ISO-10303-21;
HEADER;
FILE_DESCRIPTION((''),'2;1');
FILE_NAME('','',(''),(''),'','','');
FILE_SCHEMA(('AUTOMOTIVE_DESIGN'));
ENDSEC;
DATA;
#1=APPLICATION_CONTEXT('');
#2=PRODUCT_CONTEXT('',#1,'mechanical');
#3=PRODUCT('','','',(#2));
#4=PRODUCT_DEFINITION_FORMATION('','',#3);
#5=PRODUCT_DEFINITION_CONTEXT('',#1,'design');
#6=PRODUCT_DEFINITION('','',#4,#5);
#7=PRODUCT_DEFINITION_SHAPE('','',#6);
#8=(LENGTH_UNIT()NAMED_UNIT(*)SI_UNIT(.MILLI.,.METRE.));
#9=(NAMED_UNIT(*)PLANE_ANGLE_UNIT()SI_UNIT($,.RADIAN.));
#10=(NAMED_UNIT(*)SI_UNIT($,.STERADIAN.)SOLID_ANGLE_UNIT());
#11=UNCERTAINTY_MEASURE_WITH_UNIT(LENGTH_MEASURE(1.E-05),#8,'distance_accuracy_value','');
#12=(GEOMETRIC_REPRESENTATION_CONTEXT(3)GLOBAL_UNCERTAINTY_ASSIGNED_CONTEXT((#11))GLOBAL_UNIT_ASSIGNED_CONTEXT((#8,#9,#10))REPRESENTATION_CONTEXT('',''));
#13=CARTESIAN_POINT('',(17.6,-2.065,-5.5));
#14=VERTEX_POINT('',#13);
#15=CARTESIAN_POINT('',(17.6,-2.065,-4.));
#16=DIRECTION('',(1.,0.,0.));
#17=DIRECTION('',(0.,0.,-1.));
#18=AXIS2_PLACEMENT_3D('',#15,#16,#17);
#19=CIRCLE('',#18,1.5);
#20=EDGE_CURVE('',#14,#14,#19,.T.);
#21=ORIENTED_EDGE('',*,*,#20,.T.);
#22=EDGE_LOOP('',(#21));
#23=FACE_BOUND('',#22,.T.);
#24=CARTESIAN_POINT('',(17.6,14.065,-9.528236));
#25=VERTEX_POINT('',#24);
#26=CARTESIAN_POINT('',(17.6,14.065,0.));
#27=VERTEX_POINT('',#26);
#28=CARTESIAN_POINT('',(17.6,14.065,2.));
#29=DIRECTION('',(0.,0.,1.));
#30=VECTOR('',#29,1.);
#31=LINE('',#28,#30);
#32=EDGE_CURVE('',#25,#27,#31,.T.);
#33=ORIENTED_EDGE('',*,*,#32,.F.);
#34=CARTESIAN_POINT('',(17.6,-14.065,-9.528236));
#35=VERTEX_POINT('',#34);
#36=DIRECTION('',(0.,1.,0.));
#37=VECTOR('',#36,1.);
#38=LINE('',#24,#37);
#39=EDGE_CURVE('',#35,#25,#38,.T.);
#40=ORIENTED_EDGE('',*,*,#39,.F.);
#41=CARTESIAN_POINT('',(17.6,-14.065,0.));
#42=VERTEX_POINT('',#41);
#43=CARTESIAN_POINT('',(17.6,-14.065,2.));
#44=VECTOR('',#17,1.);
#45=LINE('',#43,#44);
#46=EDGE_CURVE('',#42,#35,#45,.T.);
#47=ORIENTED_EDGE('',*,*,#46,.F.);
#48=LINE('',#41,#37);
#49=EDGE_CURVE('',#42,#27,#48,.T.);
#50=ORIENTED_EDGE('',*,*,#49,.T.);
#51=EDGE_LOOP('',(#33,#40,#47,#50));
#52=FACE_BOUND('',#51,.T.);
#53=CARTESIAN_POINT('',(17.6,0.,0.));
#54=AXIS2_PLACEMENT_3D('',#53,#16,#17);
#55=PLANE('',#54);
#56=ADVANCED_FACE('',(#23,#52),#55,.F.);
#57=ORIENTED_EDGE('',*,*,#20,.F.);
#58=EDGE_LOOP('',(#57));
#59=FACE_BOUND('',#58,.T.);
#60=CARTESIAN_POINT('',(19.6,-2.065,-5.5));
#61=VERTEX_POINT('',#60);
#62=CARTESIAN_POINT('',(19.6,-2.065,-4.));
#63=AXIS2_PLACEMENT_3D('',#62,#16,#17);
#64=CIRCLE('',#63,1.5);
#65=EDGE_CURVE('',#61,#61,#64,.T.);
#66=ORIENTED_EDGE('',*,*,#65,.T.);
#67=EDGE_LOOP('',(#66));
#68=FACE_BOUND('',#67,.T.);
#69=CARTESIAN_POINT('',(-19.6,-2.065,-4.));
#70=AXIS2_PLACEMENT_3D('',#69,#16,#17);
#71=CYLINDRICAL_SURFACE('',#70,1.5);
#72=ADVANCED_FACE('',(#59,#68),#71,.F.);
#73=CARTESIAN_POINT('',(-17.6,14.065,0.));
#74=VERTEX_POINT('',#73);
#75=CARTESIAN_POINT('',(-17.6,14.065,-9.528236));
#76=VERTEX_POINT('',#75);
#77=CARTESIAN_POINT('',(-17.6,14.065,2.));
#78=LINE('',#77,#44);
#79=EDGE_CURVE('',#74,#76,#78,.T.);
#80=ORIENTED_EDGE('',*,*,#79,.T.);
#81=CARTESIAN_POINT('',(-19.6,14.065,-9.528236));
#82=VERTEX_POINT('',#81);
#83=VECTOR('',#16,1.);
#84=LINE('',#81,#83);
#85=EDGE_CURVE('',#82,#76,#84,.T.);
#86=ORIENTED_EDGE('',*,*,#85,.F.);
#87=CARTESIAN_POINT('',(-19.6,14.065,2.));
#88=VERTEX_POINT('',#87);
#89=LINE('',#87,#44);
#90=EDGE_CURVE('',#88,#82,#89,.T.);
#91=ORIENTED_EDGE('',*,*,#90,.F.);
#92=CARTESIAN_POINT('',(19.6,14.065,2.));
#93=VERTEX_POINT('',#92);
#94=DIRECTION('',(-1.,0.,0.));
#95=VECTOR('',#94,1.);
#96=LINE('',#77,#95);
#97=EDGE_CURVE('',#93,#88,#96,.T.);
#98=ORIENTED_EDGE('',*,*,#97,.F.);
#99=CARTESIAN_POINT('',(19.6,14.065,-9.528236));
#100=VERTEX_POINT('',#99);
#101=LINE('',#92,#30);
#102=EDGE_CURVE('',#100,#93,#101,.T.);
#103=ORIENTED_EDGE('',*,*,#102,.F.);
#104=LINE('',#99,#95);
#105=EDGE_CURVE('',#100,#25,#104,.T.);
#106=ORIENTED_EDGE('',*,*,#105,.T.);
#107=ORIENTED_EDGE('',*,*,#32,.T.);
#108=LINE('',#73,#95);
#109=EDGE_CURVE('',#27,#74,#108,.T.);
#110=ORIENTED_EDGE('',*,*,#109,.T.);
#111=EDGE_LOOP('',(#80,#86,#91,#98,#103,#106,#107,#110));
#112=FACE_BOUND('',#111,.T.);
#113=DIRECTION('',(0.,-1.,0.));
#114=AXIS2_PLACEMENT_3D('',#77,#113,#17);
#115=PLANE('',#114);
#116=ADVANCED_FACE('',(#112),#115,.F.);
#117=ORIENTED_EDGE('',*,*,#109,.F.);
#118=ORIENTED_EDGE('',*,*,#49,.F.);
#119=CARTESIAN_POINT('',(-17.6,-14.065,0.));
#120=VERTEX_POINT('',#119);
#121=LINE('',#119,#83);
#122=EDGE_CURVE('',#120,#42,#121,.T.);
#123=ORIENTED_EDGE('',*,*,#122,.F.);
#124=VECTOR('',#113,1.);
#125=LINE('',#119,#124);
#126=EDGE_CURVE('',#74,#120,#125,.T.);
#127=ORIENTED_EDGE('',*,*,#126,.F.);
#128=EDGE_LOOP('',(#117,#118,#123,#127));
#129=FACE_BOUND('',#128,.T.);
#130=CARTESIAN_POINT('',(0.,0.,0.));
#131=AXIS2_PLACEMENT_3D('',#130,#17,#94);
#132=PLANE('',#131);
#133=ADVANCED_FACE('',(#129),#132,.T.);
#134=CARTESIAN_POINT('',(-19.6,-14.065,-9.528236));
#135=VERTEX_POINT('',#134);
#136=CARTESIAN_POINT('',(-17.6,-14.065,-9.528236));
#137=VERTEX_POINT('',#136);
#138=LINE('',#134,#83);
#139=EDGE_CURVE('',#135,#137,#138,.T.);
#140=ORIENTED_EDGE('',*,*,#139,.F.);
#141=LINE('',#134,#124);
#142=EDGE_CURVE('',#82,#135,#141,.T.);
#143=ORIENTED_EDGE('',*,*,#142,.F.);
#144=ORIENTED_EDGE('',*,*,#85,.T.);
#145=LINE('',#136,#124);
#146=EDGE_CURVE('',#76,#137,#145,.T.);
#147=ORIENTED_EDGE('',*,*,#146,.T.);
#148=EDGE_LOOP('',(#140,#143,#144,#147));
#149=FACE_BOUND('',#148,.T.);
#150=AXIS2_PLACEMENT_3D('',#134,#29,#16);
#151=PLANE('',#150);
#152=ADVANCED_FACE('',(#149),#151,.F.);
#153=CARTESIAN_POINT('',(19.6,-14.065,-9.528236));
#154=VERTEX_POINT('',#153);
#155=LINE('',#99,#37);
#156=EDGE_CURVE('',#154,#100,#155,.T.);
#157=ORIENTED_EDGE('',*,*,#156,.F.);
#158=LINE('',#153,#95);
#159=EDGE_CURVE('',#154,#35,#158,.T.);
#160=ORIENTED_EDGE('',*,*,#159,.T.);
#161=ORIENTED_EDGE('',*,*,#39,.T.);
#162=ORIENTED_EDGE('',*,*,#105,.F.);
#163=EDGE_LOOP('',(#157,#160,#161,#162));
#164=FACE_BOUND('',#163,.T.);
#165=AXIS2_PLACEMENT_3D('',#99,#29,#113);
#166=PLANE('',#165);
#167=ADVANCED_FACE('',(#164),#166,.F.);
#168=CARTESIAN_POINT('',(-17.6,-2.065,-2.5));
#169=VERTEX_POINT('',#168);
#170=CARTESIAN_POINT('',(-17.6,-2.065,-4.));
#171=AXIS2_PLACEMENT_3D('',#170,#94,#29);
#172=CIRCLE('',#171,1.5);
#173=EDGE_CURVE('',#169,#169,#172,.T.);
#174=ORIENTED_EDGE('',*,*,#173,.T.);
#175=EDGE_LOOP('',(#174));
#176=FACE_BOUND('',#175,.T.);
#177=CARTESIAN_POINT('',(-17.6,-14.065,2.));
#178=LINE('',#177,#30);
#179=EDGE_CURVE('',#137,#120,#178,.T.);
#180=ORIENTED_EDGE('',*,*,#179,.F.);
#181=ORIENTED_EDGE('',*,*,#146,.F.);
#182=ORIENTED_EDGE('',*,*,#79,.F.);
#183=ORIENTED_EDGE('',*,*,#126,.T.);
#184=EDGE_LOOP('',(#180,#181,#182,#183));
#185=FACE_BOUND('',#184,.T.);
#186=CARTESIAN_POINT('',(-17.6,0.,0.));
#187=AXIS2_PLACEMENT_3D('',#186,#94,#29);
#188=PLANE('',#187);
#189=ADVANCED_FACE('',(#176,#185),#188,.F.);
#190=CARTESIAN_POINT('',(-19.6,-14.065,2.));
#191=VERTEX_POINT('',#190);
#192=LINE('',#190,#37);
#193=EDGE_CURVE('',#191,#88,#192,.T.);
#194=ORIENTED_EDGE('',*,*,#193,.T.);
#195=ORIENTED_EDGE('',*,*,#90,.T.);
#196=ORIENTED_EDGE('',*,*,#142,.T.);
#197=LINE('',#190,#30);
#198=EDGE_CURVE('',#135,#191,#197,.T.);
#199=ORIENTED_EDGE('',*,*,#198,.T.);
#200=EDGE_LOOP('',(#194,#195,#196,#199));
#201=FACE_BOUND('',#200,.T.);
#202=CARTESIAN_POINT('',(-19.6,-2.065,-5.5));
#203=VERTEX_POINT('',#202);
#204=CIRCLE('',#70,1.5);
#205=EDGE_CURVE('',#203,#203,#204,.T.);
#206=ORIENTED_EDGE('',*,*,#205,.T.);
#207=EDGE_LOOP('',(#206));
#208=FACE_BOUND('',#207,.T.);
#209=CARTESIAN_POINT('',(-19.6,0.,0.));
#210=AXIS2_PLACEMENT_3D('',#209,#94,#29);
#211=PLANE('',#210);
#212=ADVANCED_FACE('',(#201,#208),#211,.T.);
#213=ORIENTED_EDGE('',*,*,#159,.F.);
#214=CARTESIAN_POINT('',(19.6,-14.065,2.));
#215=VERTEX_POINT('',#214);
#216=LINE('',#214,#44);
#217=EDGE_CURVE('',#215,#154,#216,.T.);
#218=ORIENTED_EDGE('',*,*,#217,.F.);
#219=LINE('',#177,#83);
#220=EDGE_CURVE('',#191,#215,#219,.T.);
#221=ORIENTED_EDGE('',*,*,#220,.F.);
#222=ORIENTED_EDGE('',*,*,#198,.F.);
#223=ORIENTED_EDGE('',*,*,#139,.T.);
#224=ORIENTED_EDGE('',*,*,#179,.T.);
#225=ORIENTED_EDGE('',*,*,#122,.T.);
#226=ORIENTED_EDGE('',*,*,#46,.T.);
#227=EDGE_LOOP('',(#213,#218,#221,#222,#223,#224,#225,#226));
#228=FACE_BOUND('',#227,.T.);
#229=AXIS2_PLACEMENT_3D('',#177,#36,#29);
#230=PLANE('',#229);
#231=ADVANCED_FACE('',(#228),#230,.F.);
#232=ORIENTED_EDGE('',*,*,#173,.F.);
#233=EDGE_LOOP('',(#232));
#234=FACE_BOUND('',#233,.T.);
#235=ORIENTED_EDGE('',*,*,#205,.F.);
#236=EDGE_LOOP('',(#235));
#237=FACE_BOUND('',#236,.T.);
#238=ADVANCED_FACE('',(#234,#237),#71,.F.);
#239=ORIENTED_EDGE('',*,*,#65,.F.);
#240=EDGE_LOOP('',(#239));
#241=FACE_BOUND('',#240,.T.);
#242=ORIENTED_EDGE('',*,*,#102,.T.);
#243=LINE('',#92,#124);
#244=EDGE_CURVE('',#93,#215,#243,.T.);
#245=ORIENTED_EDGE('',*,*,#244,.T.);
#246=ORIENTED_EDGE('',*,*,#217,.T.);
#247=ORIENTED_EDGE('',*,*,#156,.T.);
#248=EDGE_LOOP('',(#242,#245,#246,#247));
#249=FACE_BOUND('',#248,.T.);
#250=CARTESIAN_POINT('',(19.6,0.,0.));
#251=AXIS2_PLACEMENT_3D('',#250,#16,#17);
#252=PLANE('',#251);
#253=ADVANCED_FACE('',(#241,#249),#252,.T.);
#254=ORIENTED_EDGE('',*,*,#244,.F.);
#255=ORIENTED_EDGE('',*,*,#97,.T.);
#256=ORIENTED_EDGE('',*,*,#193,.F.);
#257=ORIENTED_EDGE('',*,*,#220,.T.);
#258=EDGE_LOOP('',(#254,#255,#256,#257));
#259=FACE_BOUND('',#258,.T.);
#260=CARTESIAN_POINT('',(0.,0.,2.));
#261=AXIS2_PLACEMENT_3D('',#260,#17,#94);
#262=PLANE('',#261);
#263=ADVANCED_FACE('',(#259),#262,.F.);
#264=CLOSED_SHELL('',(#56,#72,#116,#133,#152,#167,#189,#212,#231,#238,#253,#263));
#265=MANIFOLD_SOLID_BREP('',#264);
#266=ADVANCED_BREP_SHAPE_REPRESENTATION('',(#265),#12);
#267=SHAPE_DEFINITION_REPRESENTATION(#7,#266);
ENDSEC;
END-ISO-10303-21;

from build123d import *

# Parameters (mm, degrees)
SKETCH1_W           = 35.2
SKETCH1_H           = 28.13
BOSS_EXTRUDE1_DEPTH = 2
SKETCH2_W           = 11.528235963
SKETCH2_H           = 28.13
BOSS_EXTRUDE2_DEPTH = 2
SKETCH3_W           = 11.528235963
SKETCH3_H           = 28.13
BOSS_EXTRUDE3_DEPTH = 2
SKETCH4_R           = 1.5
CUT_EXTRUDE1_DEPTH  = 43.722962275


with BuildPart() as part:
    # Sketch1 → Boss-Extrude1 (new body)
    with BuildSketch(Plane.XY):
        Rectangle(SKETCH1_W, SKETCH1_H)
    extrude(amount=BOSS_EXTRUDE1_DEPTH)

    # Sketch2 → Boss-Extrude2 (add)
    with BuildSketch(Plane(origin=(17.6, 0, 0), x_dir=(0, 0, -1), z_dir=(1, 0, 0))):
        with Locations((3.764117982, 0)):
            Rectangle(SKETCH2_W, SKETCH2_H)
    extrude(amount=BOSS_EXTRUDE2_DEPTH)

    # Sketch3 → Boss-Extrude3 (add)
    with BuildSketch(Plane.ZY.offset(17.6)):
        with Locations((-3.764117982, 0)):
            Rectangle(SKETCH3_W, SKETCH3_H)
    extrude(amount=BOSS_EXTRUDE3_DEPTH)

    # Sketch4 → Cut-Extrude1 (cut, through all)
    with BuildSketch(Plane(origin=(19.6, 0, 0), x_dir=(0, 0, -1), z_dir=(1, 0, 0))):
        with Locations((4, -2.065)):
            Circle(SKETCH4_R)
    extrude(amount=-CUT_EXTRUDE1_DEPTH, mode=Mode.SUBTRACT)


solid = part.part
